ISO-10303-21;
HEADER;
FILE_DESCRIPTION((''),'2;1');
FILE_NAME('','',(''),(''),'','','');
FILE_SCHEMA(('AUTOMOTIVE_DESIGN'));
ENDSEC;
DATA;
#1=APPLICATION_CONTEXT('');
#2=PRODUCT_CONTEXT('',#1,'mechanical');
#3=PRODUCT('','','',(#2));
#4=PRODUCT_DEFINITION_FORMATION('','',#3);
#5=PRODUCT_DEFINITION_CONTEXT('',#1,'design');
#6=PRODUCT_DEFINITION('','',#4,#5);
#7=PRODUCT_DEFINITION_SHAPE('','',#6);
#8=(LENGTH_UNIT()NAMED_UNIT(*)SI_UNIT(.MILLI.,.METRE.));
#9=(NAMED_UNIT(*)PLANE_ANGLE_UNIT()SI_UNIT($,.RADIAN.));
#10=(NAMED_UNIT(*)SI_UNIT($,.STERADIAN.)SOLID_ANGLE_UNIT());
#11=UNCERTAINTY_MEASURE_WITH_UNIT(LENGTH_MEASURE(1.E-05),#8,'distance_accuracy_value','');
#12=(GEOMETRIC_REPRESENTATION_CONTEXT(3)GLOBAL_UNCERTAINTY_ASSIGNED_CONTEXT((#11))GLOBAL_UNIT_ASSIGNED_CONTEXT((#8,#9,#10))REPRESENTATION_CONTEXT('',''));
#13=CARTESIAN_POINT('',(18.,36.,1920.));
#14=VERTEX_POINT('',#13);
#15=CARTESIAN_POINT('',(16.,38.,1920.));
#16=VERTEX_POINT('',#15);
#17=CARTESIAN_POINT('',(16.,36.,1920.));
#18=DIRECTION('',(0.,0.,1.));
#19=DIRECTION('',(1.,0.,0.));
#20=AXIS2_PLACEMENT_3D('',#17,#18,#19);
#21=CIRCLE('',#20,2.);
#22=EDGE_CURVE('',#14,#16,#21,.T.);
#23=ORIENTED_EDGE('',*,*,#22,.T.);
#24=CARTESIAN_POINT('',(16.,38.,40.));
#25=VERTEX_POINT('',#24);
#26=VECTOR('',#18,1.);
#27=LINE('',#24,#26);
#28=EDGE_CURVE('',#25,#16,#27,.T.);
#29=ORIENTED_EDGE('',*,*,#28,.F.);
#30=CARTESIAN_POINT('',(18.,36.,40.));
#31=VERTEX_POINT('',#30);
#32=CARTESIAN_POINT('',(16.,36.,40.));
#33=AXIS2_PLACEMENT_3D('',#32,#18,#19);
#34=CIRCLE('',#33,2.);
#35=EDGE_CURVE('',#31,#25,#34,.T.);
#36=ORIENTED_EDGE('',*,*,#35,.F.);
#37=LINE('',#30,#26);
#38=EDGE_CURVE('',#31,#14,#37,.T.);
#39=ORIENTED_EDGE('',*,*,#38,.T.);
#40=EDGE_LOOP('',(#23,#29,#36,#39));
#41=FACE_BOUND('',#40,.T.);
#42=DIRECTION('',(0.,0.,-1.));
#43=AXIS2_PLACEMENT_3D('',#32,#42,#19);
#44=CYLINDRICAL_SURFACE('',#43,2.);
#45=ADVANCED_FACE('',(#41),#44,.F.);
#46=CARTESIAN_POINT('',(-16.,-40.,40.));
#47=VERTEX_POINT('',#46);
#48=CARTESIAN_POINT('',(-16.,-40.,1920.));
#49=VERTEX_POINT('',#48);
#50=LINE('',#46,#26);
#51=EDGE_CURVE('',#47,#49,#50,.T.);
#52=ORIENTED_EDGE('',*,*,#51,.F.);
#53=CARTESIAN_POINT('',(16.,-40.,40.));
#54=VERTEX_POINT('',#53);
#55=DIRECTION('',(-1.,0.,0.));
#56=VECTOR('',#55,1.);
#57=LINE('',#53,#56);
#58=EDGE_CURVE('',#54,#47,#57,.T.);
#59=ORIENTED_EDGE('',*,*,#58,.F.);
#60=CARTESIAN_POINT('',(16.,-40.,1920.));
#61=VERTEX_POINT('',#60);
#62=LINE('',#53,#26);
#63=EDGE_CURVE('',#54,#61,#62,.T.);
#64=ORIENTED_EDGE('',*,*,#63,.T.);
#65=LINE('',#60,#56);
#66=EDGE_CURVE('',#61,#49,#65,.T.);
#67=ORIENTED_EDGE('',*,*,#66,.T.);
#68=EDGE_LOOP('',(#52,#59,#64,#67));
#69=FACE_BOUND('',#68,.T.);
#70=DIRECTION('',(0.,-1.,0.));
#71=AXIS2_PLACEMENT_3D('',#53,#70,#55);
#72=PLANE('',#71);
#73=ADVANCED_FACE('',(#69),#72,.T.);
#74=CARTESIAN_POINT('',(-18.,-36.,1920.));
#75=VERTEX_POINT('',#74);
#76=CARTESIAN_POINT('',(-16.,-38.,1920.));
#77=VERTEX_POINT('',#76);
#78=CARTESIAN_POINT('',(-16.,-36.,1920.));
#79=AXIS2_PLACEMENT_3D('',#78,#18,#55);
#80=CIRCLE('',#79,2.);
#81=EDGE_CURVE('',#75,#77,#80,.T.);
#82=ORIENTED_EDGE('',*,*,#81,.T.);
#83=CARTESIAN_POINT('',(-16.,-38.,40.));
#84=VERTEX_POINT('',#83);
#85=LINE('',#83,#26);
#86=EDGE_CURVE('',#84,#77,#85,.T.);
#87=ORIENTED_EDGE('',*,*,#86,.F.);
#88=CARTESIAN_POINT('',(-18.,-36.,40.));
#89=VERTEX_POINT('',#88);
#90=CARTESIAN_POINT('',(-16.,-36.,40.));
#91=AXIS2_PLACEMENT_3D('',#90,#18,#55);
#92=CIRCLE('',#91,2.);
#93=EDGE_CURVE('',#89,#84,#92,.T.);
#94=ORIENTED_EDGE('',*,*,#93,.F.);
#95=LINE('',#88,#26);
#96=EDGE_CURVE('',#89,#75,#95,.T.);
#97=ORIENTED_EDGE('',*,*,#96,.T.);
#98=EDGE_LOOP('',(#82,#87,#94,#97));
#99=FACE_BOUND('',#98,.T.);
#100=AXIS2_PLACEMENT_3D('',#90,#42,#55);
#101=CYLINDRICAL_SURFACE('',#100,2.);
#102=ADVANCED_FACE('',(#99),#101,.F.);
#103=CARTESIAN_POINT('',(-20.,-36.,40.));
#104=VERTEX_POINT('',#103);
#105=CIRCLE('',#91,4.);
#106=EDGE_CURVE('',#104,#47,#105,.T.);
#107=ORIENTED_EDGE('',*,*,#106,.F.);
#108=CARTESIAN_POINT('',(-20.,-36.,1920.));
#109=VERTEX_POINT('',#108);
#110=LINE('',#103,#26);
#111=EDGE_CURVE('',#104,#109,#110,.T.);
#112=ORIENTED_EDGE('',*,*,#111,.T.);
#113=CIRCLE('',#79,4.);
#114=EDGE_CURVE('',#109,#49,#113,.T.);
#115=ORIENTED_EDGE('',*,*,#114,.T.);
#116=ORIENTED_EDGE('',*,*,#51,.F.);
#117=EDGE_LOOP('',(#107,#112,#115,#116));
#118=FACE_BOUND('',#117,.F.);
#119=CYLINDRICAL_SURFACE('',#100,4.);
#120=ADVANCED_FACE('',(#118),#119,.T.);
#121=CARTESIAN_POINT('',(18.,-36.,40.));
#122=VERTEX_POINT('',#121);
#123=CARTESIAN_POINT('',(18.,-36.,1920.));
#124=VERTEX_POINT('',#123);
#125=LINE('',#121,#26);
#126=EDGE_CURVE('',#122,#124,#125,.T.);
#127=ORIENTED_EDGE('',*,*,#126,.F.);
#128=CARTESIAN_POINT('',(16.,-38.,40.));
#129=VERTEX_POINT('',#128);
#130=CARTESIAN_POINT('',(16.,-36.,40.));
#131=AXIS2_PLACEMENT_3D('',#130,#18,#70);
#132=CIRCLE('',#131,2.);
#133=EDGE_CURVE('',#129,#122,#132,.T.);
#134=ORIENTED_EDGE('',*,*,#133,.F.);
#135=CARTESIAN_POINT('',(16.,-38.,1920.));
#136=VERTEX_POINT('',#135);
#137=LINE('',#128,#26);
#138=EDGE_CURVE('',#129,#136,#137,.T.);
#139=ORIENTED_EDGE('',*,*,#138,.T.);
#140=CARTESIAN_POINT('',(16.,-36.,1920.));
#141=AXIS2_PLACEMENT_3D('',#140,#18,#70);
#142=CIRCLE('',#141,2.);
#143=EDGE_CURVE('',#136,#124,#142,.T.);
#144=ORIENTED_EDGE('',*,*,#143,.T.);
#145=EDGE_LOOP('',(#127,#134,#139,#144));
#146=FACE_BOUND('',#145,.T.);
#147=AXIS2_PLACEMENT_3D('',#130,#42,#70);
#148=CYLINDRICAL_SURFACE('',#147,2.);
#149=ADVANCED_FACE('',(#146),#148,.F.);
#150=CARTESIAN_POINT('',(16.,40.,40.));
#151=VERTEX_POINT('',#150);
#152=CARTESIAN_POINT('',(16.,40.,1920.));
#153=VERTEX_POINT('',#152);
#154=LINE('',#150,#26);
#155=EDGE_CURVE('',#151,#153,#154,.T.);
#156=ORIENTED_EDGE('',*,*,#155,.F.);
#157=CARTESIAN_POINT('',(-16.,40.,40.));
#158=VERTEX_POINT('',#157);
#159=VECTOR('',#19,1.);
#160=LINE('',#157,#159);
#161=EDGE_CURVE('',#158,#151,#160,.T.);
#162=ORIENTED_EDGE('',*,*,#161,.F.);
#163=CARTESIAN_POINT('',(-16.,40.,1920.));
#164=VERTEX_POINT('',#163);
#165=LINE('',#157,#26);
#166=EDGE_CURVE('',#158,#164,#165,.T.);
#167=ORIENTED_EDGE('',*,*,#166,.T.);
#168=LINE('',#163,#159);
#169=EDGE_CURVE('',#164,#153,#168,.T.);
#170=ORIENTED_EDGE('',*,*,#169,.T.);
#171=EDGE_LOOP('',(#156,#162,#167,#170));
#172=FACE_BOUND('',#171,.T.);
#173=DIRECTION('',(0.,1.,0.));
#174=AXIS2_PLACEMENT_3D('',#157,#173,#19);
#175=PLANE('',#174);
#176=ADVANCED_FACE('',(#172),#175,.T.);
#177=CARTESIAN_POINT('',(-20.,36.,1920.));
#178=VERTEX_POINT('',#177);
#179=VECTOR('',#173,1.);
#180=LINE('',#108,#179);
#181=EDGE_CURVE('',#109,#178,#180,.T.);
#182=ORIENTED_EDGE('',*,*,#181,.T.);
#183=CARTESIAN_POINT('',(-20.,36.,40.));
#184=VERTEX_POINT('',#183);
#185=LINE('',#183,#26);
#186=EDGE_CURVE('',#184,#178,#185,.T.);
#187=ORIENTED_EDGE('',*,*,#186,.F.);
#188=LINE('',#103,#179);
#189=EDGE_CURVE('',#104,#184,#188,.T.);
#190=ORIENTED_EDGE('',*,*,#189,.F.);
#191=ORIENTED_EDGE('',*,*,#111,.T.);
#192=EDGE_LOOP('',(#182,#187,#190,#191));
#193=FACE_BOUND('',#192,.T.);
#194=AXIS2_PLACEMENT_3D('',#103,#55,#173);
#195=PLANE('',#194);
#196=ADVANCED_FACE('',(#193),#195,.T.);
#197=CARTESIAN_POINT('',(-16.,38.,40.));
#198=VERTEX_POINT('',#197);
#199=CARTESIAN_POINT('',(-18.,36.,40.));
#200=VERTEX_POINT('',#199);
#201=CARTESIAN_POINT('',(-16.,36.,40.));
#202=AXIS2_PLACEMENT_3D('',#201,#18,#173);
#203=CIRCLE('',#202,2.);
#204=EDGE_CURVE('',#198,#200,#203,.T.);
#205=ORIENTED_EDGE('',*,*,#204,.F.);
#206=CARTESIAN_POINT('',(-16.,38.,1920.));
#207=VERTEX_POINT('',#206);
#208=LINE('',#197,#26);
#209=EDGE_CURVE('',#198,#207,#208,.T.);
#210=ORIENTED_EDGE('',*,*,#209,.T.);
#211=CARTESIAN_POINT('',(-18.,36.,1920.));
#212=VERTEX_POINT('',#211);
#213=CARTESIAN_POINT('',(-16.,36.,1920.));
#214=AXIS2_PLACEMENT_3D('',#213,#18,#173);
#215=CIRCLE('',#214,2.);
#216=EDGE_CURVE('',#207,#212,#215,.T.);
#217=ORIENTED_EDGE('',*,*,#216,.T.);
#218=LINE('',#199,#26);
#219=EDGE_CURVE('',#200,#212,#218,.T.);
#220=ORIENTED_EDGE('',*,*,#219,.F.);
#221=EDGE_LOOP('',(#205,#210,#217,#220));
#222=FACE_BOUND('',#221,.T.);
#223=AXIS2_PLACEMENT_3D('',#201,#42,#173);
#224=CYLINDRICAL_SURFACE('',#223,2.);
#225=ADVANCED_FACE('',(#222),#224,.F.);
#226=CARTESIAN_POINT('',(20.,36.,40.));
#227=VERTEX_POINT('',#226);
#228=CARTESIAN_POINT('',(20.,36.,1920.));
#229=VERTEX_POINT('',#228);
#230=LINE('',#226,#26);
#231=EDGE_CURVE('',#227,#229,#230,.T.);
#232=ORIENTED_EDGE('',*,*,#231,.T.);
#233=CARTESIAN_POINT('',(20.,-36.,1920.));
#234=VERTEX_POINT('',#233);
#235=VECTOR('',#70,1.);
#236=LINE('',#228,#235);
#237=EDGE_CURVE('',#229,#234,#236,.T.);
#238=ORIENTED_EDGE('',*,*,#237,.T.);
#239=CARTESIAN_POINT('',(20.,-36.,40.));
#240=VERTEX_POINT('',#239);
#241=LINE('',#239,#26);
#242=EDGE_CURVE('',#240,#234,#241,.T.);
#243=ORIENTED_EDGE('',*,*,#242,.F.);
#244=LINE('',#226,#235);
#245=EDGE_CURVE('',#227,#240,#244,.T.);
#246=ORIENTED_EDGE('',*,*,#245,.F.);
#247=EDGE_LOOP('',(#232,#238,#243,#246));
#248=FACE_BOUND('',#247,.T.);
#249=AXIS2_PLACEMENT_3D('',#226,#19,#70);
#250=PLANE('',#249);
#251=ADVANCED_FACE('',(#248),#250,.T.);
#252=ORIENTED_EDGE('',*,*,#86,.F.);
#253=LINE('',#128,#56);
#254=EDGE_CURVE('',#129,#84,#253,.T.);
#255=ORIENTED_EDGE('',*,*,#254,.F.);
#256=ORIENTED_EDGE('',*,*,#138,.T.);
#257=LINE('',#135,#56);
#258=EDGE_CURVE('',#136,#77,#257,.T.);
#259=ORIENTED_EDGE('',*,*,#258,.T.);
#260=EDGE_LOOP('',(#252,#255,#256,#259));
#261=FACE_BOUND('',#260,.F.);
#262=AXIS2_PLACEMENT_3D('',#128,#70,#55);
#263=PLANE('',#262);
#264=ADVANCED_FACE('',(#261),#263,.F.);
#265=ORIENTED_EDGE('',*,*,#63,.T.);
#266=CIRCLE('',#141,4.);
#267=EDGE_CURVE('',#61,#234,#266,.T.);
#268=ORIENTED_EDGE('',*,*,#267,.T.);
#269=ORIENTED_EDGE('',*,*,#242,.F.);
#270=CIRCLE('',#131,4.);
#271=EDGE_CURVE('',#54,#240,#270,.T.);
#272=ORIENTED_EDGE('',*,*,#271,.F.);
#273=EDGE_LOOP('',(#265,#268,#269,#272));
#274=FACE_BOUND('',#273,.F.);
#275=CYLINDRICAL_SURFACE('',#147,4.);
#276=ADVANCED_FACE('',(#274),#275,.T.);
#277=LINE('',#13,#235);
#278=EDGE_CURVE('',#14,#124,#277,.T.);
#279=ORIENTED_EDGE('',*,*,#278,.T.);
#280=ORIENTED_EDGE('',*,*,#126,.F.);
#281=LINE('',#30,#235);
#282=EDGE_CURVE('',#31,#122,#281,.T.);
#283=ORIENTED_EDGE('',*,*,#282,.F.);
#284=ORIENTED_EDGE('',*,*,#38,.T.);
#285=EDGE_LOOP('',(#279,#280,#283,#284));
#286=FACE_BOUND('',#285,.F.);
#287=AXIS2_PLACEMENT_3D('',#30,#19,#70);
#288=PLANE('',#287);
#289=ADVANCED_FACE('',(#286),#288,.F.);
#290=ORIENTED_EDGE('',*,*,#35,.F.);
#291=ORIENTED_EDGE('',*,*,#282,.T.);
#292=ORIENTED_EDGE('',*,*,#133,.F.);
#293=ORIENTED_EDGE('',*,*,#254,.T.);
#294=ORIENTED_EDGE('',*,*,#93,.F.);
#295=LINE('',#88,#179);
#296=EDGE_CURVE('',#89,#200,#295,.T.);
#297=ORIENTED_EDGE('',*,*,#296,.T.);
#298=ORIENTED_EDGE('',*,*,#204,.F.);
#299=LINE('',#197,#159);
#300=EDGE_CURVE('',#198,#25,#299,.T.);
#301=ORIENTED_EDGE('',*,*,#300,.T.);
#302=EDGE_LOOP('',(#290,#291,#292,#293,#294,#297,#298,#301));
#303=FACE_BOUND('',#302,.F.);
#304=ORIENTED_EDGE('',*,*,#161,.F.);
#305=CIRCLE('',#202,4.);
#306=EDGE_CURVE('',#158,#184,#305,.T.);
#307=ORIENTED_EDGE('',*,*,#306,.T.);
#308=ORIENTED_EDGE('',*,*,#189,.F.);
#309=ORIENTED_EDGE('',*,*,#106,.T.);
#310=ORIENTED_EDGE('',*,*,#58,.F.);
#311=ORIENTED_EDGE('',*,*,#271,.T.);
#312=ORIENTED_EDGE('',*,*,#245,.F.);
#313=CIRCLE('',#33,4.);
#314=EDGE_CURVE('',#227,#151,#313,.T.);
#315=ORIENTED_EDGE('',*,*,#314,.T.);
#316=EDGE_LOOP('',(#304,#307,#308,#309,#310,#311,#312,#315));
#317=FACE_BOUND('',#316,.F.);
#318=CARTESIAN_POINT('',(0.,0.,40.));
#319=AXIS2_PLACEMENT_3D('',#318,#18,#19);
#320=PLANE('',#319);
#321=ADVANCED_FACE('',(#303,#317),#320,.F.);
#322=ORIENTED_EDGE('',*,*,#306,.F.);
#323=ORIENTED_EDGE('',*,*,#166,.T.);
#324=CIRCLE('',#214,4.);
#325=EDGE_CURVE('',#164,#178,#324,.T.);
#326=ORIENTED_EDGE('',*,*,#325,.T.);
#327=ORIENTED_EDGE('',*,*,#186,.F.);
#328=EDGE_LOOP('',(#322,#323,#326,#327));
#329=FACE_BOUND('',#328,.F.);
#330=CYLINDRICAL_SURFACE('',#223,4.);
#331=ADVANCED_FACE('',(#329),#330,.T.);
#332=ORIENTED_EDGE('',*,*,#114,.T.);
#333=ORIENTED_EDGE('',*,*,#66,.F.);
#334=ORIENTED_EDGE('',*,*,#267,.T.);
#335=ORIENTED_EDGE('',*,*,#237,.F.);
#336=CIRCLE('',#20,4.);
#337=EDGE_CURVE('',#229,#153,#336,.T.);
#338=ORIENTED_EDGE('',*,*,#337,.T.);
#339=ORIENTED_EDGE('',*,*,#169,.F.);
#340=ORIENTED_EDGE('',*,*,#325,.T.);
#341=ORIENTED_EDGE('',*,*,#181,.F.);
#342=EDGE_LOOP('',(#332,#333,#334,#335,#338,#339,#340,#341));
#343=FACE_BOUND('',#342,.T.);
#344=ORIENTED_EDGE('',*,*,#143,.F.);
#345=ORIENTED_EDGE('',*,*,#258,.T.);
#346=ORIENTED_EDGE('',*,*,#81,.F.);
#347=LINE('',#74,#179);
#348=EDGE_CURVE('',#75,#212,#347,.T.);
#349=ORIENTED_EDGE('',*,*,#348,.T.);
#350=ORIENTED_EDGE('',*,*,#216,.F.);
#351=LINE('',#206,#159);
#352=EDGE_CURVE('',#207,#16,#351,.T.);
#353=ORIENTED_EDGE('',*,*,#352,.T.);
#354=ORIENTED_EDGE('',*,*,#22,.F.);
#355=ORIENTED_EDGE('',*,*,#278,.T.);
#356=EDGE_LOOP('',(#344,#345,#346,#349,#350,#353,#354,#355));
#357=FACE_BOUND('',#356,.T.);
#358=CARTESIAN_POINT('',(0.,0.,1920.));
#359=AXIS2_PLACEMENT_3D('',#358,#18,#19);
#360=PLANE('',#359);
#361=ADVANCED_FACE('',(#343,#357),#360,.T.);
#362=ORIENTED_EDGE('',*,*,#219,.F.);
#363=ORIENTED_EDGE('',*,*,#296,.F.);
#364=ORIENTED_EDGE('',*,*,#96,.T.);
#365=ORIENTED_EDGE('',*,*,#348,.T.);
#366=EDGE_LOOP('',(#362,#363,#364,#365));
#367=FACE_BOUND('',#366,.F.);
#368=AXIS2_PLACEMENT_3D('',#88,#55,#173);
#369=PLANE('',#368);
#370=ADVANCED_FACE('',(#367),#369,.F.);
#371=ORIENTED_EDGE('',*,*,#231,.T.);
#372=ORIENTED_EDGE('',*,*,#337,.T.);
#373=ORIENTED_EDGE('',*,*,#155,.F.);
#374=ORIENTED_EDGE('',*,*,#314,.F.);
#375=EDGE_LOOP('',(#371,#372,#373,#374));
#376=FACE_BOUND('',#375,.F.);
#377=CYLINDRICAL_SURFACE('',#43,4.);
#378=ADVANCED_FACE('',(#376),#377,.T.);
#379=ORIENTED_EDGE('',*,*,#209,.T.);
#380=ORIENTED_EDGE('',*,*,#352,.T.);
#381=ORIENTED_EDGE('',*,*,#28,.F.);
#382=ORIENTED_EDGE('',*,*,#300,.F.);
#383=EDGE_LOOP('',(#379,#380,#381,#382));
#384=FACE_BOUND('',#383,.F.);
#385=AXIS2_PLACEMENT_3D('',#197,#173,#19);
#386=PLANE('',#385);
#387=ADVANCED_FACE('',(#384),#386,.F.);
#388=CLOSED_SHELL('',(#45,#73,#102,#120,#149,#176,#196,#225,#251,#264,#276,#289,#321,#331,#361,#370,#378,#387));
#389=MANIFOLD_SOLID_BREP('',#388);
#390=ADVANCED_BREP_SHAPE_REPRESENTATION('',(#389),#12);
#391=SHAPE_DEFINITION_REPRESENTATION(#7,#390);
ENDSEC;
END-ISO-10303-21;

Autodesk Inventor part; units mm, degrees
ref_plane "YZ Plane" through (0, 0, 0) normal (1, 0, 0) x (0, 1, 0)
ref_plane "Start Plane" through (0, 0, 40) normal (0, 0, 1) x (1, 0, 0)
ref_plane "End Plane" through (0, 0, 1920) normal (0, 0, 1) x (1, 0, 0)
sketch "Sketch" plane through (0, 0, 0) normal (0, 0, 1) x (1, 0, 0)
  line L0 (-20, -36) -> (-20, 36)
  line L1 (-16, 40) -> (16, 40)
  line L2 (20, 36) -> (20, -36)
  line L3 (16, -40) -> (-16, -40)
  arc A0 (-20, -36) -> (-16, -40) centre (-16, -36) ccw
  arc A1 (20, 36) -> (16, 40) centre (16, 36) ccw
  arc A2 (-16, 40) -> (-20, 36) centre (-16, 36) ccw
  arc A3 (16, -40) -> (20, -36) centre (16, -36) ccw
  arc A4 (-16, 38) -> (-18, 36) centre (-16, 36) ccw
  line L4 (-16, 38) -> (16, 38)
  arc A5 (18, 36) -> (16, 38) centre (16, 36) ccw
  line L5 (18, 36) -> (18, -36)
  arc A6 (16, -38) -> (18, -36) centre (16, -36) ccw
  line L6 (16, -38) -> (-16, -38)
  arc A7 (-18, -36) -> (-16, -38) centre (-16, -36) ccw
  line L7 (-18, -36) -> (-18, 36)
  line L8 (0, 57.1598) -> (0, -57.1598) construction
  line L9 (-29.1598, 0) -> (29.1598, 0) construction
  dimension "d7" = 4
  dimension "d9" = 40
  dimension "d11" = 80
  dimension "d12" = 2
  dimension "d15" = 20
  dimension "d16" = 40
extrude "Body" add sketch "Sketch" along normal up to surface (1880 mm away) from surface at 40
sketch "Sketch3" plane through (0, 0, 0) normal (0, 0, 1) x (1, 0, 0)
  line L0 (0, 0) -> (10, 0)
ref_plane "Work Plane3" through (0, 0, 0) normal (0, -1, 0) x (1, 0, 0)
sketch "Sketch4" plane through (0, 0, 0) normal (0, -1, 0) x (1, 0, 0)
  line L0 (-2, 40) -> (12, 40) projected
  line L1 (-2, 1920) -> (12, 1920) projected
  dimension "d18" = 1880
equation "\"d7\" = G_IR"
equation "\"d9\" = G_W"
equation "\"d11\" = G_H"
equation "\"d12\" = G_T"
equation "\"d15\" = 0.5 * d9"
equation "\"d16\" = 0.5 * d11"
equation "\"d3\" = G_L"
equation "\"G_W\" = 40"
equation "\"G_H\" = 80"
equation "\"G_T\" = 2"
equation "\"G_IR\" = 4"
equation "\"G_L\" = d18"
properties part number "ISO 4019 - 80x40x2 - 1880" material "Steel, Mild"
